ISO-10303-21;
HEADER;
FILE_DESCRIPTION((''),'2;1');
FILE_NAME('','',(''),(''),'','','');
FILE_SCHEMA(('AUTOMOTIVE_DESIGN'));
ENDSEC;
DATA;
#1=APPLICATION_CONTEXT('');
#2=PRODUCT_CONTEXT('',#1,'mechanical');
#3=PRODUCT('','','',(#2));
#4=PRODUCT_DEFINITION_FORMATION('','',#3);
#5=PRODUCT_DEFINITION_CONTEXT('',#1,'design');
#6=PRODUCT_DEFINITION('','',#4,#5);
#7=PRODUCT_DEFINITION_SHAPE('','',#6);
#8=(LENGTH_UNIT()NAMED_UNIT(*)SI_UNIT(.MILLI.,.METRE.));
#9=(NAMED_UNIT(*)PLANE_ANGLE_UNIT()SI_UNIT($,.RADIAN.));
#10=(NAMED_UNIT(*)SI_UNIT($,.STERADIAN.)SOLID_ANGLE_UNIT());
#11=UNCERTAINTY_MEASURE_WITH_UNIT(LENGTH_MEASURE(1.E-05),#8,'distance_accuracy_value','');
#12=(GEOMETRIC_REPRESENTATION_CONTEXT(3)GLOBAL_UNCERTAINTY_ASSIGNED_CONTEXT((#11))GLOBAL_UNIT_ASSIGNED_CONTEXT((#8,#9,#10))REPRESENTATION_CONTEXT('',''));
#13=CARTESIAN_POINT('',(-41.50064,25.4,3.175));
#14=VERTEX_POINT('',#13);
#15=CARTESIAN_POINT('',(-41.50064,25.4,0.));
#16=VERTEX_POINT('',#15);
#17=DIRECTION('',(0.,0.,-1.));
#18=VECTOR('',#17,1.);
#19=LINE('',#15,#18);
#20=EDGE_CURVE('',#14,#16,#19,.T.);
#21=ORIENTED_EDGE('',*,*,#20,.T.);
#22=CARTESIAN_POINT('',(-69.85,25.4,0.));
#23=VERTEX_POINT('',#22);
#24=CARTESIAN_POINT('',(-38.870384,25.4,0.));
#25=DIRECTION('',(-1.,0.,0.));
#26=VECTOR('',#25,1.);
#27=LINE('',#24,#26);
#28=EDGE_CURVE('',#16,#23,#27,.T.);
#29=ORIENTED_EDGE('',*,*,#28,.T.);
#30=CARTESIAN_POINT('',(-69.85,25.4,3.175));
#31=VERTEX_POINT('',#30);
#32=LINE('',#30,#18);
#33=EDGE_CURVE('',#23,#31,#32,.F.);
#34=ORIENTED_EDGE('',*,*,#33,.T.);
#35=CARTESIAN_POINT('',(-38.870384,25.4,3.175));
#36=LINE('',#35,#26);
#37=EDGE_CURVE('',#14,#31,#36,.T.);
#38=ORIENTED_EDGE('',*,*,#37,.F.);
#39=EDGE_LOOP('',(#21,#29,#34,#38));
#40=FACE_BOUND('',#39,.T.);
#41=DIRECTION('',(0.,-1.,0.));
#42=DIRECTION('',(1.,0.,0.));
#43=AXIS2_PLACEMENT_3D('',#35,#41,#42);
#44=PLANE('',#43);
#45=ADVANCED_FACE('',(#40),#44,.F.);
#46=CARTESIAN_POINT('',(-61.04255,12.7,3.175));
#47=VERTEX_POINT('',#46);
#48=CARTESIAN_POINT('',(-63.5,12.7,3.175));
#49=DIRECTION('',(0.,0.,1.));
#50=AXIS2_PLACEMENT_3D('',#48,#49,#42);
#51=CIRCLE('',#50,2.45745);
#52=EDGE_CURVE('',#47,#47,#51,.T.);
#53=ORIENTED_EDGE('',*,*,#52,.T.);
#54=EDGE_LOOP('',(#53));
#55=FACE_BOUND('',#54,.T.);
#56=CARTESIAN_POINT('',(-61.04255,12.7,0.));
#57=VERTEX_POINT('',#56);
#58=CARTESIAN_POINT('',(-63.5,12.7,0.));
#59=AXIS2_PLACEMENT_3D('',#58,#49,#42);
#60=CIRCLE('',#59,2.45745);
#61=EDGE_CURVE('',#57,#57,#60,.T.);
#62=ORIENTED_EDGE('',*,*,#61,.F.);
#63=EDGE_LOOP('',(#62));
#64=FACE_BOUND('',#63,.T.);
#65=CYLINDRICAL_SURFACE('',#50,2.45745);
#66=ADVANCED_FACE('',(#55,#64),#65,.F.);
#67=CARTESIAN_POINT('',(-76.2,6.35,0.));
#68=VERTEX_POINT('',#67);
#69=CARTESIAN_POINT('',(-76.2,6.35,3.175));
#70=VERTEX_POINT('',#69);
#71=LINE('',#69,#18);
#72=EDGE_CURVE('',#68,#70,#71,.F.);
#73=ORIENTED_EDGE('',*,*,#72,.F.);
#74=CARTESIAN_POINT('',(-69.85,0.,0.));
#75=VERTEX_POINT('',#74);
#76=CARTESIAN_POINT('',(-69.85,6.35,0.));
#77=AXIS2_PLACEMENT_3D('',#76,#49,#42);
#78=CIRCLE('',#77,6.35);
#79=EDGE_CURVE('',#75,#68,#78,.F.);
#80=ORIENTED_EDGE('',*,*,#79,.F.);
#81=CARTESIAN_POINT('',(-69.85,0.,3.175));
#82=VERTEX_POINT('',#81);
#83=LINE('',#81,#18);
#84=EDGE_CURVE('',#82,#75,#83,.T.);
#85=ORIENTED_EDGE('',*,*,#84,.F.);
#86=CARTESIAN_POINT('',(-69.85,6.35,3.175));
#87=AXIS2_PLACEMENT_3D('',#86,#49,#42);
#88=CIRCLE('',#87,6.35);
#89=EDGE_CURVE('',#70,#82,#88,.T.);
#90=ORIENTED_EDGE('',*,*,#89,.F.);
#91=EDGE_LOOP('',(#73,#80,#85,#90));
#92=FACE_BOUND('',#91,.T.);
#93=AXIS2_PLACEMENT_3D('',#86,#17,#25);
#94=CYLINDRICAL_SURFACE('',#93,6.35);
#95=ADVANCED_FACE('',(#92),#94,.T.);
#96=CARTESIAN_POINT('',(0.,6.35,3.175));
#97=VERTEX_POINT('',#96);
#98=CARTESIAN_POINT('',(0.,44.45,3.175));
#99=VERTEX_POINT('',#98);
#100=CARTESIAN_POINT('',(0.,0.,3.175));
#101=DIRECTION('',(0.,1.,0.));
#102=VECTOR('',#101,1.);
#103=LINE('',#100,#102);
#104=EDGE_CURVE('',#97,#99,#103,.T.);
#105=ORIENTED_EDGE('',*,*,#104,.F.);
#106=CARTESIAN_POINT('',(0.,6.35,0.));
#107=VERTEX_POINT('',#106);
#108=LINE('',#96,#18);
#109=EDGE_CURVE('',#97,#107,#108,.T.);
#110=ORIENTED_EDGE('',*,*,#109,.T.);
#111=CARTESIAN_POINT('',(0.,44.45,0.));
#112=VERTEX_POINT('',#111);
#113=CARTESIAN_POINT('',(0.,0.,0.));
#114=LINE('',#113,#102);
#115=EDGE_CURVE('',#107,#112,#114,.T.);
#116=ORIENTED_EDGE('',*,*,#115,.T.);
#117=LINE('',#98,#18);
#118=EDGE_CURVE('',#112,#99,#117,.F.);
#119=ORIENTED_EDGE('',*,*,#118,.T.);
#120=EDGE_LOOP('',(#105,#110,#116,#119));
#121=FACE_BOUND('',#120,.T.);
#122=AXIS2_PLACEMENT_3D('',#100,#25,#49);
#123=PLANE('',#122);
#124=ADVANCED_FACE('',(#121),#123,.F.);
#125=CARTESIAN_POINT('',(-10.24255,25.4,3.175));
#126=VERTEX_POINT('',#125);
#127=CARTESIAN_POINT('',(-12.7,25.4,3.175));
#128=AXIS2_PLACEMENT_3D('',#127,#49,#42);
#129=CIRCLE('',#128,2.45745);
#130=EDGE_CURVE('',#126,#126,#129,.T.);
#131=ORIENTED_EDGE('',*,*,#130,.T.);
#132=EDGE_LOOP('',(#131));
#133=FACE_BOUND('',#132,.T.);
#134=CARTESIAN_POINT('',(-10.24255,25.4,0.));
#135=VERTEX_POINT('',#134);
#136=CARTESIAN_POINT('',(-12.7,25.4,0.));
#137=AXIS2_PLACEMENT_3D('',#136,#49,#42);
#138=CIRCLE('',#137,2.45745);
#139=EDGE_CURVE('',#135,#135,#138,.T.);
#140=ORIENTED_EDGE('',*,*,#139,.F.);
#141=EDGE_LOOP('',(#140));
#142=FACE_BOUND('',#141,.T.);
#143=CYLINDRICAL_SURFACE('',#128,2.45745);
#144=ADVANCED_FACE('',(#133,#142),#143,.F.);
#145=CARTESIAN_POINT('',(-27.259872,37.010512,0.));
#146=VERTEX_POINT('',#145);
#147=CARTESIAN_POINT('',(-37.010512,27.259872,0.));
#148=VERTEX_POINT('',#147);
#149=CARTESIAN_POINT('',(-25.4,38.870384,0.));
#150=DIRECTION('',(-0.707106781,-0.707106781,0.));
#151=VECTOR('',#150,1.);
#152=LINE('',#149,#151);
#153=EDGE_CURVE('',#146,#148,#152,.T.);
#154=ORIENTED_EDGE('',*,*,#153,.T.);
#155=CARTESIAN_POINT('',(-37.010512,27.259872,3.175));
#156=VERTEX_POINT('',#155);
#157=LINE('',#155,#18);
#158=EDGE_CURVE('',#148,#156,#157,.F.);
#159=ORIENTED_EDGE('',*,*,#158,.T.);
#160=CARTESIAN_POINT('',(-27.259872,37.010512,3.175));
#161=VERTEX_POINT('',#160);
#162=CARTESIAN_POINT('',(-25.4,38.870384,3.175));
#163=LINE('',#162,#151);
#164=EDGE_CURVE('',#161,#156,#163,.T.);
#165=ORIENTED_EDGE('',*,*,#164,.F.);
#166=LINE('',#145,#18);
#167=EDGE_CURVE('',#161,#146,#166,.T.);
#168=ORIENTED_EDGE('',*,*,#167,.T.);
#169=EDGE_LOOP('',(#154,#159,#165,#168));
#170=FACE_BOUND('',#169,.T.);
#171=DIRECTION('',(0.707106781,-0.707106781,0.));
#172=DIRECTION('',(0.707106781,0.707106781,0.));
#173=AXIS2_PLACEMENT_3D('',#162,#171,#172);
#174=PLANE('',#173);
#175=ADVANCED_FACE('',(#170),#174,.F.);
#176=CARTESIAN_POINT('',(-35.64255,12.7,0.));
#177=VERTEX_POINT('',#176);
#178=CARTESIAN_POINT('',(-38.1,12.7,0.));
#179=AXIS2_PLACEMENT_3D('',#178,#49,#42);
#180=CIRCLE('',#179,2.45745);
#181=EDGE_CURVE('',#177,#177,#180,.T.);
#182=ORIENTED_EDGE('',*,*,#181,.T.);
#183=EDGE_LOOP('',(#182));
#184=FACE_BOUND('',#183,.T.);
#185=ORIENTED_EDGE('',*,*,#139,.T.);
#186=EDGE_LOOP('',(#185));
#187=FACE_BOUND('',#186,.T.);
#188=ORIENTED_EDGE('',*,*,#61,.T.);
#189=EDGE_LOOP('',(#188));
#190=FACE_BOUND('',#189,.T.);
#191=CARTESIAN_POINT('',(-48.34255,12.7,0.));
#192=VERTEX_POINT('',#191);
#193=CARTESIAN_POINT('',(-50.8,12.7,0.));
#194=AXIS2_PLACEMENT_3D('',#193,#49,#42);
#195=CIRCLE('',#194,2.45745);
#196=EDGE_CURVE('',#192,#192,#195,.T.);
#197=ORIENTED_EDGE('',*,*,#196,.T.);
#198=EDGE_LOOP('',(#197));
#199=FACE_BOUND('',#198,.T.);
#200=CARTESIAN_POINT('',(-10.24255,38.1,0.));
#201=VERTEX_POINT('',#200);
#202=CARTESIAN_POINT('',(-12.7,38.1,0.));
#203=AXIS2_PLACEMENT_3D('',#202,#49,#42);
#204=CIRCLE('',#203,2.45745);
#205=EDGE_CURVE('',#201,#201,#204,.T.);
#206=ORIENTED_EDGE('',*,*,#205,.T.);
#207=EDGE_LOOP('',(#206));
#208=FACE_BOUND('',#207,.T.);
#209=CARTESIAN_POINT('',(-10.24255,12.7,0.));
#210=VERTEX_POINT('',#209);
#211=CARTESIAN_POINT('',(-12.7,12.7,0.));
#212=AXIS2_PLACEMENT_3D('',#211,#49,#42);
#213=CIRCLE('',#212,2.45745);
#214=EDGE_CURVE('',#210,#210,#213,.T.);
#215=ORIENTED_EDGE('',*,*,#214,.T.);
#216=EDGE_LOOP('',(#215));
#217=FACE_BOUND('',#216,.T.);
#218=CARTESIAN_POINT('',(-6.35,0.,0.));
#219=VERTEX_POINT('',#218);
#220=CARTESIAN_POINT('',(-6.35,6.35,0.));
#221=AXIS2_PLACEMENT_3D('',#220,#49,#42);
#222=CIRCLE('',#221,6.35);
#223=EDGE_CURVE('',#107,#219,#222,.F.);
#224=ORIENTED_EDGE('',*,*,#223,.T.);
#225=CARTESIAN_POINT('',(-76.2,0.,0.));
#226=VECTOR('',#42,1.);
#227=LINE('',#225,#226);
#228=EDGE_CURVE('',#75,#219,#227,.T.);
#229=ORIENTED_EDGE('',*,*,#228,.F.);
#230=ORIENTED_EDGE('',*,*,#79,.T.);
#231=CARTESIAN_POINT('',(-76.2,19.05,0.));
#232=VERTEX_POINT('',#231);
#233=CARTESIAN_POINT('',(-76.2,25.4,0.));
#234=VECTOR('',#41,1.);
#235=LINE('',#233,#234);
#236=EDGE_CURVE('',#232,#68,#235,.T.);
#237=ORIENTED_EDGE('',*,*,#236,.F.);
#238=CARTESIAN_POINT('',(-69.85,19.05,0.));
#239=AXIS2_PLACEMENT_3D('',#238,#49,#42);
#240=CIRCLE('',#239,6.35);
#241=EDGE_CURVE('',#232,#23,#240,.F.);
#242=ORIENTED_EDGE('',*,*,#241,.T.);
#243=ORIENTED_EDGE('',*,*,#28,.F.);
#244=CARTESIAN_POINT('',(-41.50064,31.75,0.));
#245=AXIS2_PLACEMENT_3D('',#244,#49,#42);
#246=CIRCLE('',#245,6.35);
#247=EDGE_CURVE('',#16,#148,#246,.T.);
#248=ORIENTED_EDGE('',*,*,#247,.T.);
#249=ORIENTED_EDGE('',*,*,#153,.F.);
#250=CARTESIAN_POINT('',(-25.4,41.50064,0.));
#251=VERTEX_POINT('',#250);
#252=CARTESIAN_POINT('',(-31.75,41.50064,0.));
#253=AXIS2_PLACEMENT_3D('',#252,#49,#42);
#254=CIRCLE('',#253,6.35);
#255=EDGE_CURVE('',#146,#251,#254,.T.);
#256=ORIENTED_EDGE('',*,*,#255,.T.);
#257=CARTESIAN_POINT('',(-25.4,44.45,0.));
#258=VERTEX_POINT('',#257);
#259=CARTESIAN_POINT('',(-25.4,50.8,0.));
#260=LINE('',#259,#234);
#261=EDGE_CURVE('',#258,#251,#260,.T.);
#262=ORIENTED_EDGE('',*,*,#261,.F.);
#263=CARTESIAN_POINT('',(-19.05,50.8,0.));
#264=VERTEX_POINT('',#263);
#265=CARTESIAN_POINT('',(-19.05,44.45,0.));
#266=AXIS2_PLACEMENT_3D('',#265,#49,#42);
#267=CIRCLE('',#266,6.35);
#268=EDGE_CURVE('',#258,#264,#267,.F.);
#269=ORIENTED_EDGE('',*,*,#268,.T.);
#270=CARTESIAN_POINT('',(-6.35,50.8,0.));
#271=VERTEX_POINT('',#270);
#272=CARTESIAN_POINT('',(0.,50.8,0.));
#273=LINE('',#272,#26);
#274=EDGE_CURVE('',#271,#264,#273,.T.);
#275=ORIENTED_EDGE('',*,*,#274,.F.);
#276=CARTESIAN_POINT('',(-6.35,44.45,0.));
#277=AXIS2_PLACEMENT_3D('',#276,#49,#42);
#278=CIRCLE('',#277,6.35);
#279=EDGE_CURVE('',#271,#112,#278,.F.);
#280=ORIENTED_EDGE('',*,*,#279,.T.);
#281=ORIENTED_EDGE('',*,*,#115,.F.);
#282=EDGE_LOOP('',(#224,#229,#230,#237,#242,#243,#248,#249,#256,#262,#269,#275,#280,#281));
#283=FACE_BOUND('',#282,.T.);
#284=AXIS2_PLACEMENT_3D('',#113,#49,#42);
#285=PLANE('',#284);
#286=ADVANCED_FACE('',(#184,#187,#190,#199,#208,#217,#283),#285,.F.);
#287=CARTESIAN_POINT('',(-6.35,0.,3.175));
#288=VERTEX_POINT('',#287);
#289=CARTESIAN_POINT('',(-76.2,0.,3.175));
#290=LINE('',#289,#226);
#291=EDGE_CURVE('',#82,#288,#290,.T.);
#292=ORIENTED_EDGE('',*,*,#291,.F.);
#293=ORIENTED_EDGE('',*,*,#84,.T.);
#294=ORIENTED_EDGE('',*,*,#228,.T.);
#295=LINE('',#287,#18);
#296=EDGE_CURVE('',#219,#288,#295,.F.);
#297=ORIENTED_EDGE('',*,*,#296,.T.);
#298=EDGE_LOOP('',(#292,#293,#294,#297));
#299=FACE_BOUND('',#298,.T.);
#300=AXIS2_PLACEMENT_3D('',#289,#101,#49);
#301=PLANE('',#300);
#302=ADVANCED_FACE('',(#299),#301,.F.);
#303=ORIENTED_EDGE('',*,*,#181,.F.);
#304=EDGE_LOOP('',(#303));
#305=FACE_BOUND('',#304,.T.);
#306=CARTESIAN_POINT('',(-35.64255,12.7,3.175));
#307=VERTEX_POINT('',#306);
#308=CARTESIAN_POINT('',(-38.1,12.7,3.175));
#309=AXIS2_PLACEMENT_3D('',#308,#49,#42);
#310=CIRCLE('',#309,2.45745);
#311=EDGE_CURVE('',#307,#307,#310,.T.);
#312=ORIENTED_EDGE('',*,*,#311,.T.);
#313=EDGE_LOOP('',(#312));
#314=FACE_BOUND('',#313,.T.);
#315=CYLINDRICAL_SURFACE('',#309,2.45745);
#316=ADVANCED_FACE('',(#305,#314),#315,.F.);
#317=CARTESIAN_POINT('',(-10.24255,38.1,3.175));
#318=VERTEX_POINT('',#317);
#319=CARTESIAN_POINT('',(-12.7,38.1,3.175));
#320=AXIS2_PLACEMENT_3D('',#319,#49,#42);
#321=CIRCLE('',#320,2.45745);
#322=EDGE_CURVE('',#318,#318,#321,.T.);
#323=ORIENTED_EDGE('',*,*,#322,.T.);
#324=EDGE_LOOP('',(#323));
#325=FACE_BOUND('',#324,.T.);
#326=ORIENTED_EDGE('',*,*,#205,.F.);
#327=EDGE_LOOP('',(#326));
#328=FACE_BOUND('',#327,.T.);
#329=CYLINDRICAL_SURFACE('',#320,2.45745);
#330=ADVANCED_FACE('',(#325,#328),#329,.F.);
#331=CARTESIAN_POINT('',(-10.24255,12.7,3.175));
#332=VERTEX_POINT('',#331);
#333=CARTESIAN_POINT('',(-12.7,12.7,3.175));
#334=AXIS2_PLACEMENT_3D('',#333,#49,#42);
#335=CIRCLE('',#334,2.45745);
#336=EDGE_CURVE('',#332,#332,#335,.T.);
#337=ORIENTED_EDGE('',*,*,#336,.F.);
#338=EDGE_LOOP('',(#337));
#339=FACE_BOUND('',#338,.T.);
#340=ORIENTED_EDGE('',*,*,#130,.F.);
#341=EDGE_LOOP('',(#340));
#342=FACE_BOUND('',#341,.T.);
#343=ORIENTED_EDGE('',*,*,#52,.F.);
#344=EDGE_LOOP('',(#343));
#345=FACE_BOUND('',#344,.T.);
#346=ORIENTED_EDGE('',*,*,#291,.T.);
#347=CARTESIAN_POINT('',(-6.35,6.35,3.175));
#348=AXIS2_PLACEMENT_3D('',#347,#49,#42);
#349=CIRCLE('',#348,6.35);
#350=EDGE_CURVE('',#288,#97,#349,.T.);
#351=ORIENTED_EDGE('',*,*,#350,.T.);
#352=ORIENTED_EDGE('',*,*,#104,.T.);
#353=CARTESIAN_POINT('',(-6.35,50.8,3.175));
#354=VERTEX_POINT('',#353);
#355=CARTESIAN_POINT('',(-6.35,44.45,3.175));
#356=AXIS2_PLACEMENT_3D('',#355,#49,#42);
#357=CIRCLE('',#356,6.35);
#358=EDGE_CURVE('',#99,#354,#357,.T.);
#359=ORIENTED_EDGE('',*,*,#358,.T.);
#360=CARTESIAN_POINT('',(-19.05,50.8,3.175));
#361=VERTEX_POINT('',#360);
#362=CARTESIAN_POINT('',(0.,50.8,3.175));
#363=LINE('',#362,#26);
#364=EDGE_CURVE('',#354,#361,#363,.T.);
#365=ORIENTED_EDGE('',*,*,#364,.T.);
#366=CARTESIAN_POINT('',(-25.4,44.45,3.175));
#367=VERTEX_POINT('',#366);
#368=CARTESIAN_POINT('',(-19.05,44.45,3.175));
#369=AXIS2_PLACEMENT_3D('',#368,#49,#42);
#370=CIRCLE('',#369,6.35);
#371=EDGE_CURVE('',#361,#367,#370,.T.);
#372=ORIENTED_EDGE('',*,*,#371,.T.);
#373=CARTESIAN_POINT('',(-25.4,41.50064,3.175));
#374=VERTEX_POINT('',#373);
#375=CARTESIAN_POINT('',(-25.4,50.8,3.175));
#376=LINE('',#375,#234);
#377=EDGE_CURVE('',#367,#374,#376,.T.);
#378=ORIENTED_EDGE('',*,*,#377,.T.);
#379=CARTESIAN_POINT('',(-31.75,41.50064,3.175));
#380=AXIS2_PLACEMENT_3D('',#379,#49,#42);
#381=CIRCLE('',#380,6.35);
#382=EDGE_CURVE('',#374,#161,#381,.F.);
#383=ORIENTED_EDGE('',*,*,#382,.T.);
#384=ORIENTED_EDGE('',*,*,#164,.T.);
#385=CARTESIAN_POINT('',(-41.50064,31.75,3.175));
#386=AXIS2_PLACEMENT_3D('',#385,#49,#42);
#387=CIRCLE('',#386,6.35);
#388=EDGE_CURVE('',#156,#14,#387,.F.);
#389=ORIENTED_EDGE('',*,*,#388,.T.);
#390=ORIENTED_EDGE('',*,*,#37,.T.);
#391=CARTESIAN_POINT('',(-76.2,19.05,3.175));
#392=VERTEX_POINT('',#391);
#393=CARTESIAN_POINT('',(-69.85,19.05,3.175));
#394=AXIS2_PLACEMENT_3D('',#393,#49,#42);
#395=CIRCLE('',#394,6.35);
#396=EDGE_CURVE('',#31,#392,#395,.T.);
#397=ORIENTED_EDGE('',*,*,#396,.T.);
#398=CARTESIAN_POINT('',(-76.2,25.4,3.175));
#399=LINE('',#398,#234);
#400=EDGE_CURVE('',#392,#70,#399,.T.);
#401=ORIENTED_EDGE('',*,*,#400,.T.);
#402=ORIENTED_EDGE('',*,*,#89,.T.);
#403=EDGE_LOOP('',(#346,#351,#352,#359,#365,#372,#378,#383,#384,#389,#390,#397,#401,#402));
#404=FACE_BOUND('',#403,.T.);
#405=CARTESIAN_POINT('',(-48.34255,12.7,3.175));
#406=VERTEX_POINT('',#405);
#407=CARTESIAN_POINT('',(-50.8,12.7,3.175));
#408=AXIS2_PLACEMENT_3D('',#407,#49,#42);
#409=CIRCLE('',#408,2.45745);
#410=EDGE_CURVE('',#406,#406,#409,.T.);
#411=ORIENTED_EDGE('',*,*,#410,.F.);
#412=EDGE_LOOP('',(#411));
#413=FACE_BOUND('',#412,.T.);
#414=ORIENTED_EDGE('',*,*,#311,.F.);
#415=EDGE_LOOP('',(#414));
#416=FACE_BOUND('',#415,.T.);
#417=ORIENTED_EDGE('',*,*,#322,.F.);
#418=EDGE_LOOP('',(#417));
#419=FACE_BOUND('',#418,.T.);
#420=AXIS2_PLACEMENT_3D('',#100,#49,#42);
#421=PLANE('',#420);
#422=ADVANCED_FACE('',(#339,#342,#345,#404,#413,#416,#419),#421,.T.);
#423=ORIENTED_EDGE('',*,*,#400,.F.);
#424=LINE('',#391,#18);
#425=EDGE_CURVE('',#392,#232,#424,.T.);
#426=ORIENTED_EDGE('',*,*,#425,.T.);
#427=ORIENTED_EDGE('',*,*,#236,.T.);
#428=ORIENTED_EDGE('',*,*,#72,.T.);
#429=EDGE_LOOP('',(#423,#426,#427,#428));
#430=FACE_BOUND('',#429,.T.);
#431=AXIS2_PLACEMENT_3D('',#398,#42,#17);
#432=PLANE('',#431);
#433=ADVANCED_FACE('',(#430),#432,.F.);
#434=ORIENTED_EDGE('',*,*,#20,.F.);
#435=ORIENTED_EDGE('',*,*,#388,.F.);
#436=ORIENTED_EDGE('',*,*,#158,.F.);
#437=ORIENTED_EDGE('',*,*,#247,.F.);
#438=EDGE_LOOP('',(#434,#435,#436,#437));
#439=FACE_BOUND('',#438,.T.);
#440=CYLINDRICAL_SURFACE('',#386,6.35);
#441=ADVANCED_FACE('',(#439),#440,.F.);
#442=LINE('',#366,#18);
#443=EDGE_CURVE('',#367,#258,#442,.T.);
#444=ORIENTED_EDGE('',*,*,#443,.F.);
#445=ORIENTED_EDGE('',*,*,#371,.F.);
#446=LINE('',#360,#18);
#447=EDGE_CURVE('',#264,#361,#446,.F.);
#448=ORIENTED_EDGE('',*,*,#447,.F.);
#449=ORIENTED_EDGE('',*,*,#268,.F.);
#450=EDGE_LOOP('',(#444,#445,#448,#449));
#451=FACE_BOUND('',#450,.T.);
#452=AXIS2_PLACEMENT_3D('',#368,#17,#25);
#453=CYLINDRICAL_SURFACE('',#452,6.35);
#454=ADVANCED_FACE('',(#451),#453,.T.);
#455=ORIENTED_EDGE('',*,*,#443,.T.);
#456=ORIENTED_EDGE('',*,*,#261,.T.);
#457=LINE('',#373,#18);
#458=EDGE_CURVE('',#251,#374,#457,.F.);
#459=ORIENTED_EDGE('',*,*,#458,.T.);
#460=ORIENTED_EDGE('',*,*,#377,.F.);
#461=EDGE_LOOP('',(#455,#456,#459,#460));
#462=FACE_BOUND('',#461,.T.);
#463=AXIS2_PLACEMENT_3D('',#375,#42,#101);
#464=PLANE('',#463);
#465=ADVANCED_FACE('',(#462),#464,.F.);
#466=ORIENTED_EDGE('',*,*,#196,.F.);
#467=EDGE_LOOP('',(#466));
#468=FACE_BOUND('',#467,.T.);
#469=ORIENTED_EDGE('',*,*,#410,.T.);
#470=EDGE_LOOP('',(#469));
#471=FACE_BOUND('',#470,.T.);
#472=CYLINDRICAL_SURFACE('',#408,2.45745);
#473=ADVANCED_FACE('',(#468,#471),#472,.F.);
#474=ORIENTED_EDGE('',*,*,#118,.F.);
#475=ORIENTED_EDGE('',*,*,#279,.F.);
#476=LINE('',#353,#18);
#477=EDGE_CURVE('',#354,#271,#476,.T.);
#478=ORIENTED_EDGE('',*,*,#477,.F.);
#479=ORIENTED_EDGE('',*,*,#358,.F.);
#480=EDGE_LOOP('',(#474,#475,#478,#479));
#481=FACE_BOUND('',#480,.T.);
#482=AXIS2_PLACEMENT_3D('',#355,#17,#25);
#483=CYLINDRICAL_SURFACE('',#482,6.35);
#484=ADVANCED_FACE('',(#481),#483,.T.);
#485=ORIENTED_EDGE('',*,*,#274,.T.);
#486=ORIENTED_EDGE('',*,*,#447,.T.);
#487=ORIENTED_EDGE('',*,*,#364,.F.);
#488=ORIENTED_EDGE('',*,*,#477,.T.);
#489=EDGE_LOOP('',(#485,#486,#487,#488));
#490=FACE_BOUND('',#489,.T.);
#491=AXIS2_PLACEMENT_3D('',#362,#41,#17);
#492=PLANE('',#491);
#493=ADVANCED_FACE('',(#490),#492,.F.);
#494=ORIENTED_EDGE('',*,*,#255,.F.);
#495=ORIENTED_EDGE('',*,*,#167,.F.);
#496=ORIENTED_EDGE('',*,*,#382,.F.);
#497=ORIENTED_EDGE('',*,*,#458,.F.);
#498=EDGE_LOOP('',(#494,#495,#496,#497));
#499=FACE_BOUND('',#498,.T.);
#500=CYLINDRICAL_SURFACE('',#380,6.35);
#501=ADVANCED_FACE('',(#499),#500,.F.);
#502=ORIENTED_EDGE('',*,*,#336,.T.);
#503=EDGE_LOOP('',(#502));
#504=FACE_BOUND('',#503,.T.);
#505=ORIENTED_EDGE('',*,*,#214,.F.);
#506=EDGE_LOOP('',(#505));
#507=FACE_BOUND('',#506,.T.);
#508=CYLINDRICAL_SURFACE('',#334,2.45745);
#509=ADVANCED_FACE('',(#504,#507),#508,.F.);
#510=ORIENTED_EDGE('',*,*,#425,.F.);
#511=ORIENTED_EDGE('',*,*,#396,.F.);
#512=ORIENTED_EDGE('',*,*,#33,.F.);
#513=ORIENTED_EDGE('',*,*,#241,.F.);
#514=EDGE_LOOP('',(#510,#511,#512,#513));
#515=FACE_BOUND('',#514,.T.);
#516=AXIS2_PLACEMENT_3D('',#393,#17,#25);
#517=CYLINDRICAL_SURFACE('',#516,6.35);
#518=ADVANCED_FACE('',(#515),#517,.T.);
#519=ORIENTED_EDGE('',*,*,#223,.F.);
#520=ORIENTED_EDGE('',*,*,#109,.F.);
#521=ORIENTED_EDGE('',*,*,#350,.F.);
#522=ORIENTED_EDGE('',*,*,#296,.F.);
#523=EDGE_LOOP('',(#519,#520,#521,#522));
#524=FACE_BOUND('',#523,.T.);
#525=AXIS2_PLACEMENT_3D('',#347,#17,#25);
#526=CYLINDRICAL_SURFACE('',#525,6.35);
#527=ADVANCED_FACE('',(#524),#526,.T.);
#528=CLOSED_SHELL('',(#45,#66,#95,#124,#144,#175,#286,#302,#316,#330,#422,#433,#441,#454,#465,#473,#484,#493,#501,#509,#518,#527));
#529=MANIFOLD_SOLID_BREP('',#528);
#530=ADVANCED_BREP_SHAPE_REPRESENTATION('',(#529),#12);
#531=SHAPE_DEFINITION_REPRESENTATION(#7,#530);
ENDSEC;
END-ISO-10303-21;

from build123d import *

# Parameters (mm, degrees)
BOSS_EXTRUDE1_DEPTH          = 3.175
FILLET1_R                    = 6.35
F_10_0_1935_DIAMETER_HOLE1_D = 4.9149


with BuildPart() as part:
    # Sketch1 → Boss-Extrude1 (new body)
    with BuildSketch(Plane.XY):
        Polygon((0, 0), (0, 50.8), (-25.4, 50.8), (-25.4, 38.870384182), (-38.870384182, 25.4), (-76.2, 25.4), (-76.2, 0), align=None)
    extrude(amount=BOSS_EXTRUDE1_DEPTH)

    # Fillet1
    fillet1_edges = [part.edges().sort_by_distance(p)[0] for p in [
        (-76.2, 0, 1.5875),
        (-76.2, 25.4, 1.5875),
        (-38.870384182, 25.4, 1.5875),
        (-25.4, 38.870384182, 1.5875),
        (-25.4, 50.8, 1.5875),
        (0, 50.8, 1.5875),
        (0, 0, 1.5875),
    ]]
    fillet(fillet1_edges, radius=FILLET1_R)

    # #10 (0.1935) Diameter Hole1 (through all)
    with Locations(Plane.XY.offset(3.175)):
        with Locations((-63.5, 12.7), (-50.8, 12.7), (-12.7, 25.4), (-12.7, 38.1), (-38.1, 12.7), (-12.7, 12.7)):
            Hole(F_10_0_1935_DIAMETER_HOLE1_D / 2)


solid = part.part
